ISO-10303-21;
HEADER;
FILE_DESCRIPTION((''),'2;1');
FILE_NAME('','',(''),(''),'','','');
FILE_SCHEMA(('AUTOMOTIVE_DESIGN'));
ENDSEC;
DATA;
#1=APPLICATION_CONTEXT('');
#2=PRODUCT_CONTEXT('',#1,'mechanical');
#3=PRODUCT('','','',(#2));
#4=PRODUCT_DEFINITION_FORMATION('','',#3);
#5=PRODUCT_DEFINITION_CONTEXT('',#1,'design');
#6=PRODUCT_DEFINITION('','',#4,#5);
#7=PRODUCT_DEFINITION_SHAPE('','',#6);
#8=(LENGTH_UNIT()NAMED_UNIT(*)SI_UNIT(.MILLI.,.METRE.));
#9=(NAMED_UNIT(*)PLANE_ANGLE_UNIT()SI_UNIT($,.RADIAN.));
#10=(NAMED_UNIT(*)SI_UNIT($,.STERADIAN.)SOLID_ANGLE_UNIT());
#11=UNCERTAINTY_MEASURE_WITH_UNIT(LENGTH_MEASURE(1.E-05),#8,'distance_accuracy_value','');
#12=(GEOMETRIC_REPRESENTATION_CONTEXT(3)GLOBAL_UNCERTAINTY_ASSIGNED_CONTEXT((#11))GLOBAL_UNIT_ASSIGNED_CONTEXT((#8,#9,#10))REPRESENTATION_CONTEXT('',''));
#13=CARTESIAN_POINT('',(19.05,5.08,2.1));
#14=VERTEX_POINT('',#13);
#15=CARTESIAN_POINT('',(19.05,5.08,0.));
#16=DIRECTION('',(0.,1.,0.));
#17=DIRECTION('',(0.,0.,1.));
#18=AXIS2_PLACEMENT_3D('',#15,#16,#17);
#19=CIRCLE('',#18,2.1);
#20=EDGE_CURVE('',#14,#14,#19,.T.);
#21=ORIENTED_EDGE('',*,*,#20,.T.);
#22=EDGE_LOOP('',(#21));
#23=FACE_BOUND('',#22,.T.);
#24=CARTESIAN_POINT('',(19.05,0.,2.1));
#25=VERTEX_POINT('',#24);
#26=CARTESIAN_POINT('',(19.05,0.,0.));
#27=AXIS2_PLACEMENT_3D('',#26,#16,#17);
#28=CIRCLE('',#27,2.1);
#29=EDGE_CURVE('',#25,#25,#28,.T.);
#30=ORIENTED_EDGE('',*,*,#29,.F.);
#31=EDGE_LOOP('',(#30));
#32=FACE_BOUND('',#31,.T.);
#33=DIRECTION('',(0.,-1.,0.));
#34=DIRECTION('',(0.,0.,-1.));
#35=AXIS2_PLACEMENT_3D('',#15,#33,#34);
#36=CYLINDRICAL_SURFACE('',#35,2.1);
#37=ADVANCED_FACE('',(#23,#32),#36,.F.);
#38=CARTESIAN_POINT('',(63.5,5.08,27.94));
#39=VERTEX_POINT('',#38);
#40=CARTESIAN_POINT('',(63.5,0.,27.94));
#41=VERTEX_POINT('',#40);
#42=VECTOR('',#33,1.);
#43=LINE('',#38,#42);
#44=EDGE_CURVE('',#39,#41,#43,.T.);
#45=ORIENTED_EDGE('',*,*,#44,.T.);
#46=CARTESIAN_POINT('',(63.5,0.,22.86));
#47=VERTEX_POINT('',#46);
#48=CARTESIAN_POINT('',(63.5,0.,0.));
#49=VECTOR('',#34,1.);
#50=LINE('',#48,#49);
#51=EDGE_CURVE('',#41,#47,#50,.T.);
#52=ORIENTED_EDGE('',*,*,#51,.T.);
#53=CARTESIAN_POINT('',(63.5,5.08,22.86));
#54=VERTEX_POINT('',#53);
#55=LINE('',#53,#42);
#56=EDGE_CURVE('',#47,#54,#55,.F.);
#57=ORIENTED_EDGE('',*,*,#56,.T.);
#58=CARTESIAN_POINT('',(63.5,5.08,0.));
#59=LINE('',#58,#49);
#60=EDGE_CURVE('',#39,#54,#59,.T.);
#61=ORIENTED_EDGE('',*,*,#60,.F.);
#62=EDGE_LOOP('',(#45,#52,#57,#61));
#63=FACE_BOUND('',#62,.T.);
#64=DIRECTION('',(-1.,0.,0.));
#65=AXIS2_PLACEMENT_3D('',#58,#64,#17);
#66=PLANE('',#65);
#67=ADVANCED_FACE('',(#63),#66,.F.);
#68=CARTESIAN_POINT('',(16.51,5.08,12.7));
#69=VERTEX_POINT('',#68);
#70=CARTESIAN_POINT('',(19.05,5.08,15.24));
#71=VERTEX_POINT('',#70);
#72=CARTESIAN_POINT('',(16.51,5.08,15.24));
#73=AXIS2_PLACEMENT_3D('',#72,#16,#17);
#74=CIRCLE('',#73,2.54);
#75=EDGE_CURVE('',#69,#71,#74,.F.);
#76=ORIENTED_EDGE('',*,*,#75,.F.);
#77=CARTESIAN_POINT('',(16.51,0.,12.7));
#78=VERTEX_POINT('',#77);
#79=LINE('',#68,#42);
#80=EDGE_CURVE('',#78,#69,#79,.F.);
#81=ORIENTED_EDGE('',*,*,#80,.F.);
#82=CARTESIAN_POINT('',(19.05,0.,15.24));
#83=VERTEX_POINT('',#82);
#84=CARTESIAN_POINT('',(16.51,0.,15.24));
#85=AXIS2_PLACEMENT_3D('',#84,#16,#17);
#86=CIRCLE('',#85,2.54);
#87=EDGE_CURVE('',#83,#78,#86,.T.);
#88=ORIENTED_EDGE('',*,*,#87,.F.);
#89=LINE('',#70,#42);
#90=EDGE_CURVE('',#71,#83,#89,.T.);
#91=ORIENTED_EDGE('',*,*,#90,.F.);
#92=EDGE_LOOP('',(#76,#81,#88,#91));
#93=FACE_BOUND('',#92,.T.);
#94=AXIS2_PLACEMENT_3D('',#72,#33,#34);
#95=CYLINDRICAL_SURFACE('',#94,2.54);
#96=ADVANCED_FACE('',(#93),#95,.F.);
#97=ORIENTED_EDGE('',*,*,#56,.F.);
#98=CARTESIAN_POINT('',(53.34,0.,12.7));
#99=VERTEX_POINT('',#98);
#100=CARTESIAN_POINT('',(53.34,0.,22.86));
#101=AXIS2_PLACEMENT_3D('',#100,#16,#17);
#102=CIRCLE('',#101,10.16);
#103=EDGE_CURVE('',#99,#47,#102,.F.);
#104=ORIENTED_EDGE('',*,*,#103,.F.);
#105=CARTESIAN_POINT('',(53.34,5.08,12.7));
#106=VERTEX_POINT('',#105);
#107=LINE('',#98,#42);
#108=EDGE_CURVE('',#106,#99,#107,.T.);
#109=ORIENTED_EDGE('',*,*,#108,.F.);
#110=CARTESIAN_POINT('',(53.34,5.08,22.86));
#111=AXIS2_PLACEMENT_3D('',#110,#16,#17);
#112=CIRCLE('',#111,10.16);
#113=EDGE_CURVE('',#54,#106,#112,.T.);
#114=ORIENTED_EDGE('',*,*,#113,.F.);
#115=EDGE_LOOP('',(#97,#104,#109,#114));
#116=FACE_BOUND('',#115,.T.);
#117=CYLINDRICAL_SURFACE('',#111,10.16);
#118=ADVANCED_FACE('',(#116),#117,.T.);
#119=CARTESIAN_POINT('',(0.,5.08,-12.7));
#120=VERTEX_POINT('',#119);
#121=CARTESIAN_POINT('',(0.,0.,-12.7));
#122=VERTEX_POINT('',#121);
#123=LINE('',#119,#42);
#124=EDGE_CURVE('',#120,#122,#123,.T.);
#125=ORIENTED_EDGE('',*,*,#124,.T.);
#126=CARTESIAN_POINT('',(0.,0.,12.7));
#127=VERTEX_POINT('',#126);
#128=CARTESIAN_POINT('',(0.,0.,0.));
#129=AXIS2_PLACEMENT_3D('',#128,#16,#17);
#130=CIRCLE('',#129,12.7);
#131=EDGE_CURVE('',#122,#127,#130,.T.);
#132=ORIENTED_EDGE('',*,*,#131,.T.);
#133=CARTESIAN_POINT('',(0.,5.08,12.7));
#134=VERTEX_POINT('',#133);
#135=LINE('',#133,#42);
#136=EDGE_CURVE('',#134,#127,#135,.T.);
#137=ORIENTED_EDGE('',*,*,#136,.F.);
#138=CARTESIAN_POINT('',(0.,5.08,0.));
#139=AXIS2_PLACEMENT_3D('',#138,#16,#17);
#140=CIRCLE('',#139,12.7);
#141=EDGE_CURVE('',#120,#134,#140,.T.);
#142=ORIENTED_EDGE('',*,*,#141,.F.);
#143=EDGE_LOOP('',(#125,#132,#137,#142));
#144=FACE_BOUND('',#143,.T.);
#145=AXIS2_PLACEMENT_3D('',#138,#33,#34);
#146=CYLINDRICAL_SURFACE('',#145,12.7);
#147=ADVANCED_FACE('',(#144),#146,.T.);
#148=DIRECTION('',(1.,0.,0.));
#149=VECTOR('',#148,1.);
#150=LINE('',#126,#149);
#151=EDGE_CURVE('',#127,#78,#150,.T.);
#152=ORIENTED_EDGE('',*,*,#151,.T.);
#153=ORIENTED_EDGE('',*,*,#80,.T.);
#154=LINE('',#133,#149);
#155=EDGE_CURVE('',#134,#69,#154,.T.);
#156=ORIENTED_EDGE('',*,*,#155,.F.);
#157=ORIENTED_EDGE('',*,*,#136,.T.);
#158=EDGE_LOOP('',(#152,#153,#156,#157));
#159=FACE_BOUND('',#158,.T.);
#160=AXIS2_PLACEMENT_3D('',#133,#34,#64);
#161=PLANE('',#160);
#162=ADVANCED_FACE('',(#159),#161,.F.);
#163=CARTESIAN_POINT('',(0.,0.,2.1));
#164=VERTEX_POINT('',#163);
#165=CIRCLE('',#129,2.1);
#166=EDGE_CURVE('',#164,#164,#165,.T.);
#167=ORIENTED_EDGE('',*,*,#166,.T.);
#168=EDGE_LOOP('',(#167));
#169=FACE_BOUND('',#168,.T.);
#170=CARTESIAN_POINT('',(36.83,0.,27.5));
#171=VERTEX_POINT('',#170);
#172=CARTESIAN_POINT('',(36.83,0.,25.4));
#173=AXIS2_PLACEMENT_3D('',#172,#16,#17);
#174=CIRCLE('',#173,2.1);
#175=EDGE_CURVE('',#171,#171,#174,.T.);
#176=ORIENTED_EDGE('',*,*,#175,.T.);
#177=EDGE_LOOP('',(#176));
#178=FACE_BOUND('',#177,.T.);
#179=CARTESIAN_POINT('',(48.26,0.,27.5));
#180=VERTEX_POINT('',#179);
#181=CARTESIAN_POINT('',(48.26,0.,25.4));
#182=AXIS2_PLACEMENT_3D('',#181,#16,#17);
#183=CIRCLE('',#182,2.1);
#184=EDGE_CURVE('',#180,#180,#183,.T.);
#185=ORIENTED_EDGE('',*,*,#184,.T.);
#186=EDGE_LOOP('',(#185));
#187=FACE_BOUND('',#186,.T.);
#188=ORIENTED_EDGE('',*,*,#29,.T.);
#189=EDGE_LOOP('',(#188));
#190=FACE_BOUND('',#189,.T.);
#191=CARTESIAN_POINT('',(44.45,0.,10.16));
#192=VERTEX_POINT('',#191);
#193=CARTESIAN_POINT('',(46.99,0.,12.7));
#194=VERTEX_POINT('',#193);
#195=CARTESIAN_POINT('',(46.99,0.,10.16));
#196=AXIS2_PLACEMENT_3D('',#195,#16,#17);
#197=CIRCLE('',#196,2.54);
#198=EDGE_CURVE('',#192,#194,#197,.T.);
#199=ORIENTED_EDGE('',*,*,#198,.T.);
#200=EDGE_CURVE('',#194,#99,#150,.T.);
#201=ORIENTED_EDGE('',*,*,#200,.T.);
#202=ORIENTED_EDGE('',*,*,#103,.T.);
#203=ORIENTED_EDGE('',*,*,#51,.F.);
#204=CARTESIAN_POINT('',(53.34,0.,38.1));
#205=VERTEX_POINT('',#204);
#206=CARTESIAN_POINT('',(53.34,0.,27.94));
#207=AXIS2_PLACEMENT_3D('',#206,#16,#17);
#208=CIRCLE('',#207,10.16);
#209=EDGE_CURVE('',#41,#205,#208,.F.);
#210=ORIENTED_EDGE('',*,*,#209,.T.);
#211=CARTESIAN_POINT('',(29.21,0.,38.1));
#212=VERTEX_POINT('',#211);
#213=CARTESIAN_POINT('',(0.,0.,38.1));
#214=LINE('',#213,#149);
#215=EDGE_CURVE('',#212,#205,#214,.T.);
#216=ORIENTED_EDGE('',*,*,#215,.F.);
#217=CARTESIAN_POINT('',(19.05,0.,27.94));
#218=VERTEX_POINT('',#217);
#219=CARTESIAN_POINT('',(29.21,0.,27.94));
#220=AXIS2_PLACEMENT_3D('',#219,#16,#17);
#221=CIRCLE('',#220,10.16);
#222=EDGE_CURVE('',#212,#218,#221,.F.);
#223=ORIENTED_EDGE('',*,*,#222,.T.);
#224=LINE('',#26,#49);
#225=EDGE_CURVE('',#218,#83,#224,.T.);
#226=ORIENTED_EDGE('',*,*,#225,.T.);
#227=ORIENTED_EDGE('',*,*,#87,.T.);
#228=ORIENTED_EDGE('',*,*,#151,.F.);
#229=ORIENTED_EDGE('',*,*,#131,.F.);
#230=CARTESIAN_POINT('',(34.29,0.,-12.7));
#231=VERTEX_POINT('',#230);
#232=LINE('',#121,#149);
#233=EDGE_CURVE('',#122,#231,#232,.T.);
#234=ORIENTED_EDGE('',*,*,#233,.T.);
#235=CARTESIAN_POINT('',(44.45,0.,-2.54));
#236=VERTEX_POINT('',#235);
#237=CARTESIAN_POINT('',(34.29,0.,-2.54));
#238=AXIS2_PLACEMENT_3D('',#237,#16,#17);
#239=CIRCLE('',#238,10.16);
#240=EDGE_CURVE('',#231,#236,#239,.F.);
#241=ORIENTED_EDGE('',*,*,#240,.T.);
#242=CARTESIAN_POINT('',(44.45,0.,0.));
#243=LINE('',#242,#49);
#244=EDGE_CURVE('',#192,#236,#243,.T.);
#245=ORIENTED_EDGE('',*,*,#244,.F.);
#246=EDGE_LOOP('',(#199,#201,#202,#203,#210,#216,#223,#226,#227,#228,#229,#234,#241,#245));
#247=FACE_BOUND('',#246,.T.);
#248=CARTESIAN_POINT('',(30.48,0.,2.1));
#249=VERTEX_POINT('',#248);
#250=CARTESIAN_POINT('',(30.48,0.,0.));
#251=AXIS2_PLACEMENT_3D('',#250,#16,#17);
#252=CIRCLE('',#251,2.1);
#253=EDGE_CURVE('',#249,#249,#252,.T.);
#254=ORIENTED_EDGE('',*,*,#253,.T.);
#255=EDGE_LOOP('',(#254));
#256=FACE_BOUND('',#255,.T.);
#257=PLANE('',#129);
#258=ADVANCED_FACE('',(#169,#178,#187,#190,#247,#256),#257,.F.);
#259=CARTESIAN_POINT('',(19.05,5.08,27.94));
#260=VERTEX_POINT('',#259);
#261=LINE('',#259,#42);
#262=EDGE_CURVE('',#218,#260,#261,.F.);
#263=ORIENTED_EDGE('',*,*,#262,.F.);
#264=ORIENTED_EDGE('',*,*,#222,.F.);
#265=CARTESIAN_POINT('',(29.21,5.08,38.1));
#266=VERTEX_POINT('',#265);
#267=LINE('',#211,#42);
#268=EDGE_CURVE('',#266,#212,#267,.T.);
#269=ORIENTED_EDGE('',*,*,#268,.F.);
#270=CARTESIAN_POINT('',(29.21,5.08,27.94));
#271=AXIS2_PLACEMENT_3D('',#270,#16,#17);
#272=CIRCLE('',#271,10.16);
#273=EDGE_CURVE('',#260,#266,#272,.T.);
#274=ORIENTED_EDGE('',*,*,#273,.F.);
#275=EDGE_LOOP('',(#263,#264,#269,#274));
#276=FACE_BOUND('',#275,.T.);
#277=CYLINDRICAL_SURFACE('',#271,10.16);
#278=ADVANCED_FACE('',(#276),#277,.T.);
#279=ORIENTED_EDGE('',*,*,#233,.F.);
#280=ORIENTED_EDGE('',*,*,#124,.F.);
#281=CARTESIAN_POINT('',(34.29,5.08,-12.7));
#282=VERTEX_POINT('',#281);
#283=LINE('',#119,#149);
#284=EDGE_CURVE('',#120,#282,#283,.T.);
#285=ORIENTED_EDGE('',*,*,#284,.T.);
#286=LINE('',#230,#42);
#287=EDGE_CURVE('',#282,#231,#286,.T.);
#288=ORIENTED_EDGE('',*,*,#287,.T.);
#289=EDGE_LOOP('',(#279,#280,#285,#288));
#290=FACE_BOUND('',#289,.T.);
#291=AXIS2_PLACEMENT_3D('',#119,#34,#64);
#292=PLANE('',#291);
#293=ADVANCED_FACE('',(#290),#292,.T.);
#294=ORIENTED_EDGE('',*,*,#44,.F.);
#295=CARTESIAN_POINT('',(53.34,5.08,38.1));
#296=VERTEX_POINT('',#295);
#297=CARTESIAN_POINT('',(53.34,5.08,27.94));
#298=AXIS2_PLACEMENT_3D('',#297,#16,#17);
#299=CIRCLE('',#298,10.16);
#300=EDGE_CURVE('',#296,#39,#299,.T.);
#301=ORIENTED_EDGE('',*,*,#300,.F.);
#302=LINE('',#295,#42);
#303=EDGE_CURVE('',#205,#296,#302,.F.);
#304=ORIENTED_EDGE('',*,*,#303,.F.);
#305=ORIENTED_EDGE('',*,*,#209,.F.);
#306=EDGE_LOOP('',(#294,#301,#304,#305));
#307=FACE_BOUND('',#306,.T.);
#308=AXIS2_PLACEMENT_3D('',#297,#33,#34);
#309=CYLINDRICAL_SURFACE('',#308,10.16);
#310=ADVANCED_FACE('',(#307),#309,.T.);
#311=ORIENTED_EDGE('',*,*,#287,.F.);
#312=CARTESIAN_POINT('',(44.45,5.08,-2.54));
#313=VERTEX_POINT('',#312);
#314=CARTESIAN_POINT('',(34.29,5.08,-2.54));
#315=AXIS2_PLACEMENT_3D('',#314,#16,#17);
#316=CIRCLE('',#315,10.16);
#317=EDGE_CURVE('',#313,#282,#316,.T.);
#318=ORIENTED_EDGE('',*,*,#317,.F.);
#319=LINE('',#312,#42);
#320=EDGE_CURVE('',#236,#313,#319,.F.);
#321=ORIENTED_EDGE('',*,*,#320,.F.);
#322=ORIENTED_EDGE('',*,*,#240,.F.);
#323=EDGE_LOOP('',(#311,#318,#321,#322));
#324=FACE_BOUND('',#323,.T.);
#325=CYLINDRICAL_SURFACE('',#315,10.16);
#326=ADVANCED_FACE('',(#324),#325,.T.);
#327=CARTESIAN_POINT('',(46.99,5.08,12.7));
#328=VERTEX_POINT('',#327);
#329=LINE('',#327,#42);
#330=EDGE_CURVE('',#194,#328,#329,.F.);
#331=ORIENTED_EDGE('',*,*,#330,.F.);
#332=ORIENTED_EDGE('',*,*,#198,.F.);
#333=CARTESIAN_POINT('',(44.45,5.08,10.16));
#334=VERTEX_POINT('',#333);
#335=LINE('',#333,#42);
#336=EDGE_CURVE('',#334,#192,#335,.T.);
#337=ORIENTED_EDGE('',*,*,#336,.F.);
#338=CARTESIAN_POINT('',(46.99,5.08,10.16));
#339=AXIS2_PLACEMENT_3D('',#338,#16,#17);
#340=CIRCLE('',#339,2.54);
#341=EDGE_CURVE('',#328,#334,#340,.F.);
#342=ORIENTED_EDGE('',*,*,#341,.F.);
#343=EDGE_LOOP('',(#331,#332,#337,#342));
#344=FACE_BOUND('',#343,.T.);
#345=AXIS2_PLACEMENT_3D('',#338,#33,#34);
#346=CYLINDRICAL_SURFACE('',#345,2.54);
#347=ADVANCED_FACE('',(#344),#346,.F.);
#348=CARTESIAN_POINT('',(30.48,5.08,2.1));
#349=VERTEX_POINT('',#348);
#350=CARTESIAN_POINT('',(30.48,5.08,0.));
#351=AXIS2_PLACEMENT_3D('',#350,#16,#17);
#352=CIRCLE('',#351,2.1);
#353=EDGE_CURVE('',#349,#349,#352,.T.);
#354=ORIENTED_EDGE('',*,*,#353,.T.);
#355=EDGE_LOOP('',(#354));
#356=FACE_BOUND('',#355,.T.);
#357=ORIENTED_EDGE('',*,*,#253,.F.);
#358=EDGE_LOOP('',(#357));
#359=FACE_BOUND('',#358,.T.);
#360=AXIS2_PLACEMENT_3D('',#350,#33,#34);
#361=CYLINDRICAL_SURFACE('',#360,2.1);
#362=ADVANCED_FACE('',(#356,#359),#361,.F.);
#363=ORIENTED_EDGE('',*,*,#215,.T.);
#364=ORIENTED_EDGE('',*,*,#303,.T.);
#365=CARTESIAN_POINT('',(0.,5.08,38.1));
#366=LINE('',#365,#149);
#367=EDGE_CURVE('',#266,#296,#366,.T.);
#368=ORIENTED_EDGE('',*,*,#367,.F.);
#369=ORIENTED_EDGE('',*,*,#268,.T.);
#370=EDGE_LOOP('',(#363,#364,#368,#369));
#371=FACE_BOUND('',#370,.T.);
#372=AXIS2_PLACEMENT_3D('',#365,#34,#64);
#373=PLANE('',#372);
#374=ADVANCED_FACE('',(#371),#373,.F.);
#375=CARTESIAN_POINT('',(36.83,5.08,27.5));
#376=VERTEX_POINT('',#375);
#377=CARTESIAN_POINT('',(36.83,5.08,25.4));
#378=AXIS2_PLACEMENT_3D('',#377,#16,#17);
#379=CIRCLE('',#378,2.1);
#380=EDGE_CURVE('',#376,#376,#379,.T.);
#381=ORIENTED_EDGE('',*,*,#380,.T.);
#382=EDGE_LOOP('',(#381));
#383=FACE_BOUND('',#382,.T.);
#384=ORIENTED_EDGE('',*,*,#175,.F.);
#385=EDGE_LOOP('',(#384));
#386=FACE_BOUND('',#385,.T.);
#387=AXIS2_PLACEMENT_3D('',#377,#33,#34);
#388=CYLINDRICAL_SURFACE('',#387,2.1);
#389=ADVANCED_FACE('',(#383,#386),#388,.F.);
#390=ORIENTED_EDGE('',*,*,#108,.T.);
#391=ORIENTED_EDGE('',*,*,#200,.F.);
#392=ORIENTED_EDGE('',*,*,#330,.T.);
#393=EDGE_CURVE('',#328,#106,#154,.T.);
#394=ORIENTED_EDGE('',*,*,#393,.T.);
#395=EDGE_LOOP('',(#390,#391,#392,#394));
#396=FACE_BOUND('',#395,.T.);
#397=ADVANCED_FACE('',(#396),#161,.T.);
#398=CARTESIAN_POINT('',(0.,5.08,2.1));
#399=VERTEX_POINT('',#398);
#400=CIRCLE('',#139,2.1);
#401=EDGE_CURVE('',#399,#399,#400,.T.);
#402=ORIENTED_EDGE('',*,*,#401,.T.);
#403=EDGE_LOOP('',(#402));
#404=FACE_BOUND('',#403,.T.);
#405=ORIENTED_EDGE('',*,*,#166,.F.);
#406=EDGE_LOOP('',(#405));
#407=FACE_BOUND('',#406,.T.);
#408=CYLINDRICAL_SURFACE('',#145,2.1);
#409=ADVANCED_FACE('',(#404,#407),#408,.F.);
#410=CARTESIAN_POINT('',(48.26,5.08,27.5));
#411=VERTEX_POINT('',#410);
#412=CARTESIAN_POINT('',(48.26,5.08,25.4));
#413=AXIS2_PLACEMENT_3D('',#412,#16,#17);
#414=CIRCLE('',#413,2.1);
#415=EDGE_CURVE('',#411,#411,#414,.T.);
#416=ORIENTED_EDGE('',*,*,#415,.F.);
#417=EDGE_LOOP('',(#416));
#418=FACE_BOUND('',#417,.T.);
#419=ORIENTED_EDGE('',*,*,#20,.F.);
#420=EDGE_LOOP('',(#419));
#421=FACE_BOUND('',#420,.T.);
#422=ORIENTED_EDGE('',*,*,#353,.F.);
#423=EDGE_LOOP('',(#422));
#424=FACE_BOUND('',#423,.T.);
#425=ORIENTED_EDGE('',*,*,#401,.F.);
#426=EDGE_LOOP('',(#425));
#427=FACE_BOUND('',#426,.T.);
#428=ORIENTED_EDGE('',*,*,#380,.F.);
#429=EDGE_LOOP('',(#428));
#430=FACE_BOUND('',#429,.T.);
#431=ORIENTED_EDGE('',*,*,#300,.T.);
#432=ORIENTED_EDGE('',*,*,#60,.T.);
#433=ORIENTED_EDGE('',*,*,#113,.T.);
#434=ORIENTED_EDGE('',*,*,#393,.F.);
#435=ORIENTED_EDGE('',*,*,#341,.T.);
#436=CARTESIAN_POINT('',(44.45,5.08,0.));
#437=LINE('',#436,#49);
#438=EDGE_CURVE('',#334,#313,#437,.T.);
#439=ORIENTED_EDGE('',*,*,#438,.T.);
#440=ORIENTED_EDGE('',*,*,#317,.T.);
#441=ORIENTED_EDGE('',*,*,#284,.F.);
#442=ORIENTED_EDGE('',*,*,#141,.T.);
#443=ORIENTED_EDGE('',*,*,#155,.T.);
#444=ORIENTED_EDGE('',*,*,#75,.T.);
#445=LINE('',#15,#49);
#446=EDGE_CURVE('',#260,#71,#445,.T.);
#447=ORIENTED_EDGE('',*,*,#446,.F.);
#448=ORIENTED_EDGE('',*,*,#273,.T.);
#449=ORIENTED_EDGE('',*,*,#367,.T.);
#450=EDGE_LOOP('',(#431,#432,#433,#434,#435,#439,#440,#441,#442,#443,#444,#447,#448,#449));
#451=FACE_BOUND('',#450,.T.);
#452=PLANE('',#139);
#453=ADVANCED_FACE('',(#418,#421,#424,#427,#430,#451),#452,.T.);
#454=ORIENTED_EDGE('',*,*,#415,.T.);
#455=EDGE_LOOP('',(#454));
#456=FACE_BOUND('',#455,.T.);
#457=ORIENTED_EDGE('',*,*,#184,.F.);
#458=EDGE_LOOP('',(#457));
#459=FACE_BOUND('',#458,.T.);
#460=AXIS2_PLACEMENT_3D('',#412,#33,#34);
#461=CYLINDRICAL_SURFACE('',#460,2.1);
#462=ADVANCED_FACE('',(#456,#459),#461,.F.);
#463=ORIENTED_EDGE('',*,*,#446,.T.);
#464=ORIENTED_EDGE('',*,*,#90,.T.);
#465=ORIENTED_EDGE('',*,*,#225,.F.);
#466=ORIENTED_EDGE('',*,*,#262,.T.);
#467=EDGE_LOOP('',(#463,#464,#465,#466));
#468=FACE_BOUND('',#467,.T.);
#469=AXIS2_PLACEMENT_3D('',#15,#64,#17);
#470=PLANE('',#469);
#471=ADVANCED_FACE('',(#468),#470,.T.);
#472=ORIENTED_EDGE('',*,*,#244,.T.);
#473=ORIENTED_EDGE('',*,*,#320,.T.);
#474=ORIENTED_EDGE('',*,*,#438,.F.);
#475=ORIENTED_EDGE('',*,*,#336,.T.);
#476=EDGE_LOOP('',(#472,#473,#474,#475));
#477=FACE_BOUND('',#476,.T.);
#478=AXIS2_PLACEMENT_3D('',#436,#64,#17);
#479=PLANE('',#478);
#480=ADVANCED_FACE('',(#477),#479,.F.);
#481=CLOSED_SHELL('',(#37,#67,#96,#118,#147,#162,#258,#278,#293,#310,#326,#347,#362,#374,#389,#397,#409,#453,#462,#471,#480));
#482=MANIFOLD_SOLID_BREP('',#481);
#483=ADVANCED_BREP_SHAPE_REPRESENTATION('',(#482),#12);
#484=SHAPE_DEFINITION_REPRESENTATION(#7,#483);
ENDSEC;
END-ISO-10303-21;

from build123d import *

# Parameters (mm, degrees)
SKETCH1_R           = 2.1
BOSS_EXTRUDE1_DEPTH = 5.08
FILLET1_R           = 2.54
FILLET2_R           = 10.16


with BuildPart() as part:
    # Sketch1 → Boss-Extrude1 (new body)
    with BuildSketch(Plane(origin=(0, 0, 0), x_dir=(1, 0, 0), z_dir=(0, 1, 0))):
        with BuildLine():
            ThreePointArc((0, 12.7), (-12.7, 0), (0, -12.7))
            Line((0, -12.7), (19.05, -12.7))
            Line((19.05, -12.7), (19.05, -38.1))
            Line((19.05, -38.1), (35.56, -38.1))
            Line((35.56, -38.1), (63.5, -38.1))
            Line((63.5, -38.1), (63.5, -12.7))
            Line((63.5, -12.7), (44.45, -12.7))
            Line((44.45, -12.7), (44.45, 12.7))
            Line((44.45, 12.7), (22.225, 12.7))
            Line((22.225, 12.7), (0, 12.7))
        make_face()
        with Locations((36.83, -25.4)):
            Circle(SKETCH1_R, mode=Mode.SUBTRACT)
        with Locations((48.26, -25.4)):
            Circle(SKETCH1_R, mode=Mode.SUBTRACT)
        Circle(SKETCH1_R, mode=Mode.SUBTRACT)
        with Locations((19.05, 0)):
            Circle(SKETCH1_R, mode=Mode.SUBTRACT)
        with Locations((30.48, 0)):
            Circle(SKETCH1_R, mode=Mode.SUBTRACT)
    extrude(amount=BOSS_EXTRUDE1_DEPTH)

    # Fillet1
    fillet1_edges = [part.edges().sort_by_distance(p)[0] for p in [
        (44.45, 2.54, 12.7),
        (19.05, 2.54, 12.7),
    ]]
    fillet(fillet1_edges, radius=FILLET1_R)

    # Fillet2
    fillet2_edges = [part.edges().sort_by_distance(p)[0] for p in [
        (44.45, 2.54, -12.7),
        (63.5, 2.54, 12.7),
        (63.5, 2.54, 38.1),
        (19.05, 2.54, 38.1),
    ]]
    fillet(fillet2_edges, radius=FILLET2_R)


solid = part.part
